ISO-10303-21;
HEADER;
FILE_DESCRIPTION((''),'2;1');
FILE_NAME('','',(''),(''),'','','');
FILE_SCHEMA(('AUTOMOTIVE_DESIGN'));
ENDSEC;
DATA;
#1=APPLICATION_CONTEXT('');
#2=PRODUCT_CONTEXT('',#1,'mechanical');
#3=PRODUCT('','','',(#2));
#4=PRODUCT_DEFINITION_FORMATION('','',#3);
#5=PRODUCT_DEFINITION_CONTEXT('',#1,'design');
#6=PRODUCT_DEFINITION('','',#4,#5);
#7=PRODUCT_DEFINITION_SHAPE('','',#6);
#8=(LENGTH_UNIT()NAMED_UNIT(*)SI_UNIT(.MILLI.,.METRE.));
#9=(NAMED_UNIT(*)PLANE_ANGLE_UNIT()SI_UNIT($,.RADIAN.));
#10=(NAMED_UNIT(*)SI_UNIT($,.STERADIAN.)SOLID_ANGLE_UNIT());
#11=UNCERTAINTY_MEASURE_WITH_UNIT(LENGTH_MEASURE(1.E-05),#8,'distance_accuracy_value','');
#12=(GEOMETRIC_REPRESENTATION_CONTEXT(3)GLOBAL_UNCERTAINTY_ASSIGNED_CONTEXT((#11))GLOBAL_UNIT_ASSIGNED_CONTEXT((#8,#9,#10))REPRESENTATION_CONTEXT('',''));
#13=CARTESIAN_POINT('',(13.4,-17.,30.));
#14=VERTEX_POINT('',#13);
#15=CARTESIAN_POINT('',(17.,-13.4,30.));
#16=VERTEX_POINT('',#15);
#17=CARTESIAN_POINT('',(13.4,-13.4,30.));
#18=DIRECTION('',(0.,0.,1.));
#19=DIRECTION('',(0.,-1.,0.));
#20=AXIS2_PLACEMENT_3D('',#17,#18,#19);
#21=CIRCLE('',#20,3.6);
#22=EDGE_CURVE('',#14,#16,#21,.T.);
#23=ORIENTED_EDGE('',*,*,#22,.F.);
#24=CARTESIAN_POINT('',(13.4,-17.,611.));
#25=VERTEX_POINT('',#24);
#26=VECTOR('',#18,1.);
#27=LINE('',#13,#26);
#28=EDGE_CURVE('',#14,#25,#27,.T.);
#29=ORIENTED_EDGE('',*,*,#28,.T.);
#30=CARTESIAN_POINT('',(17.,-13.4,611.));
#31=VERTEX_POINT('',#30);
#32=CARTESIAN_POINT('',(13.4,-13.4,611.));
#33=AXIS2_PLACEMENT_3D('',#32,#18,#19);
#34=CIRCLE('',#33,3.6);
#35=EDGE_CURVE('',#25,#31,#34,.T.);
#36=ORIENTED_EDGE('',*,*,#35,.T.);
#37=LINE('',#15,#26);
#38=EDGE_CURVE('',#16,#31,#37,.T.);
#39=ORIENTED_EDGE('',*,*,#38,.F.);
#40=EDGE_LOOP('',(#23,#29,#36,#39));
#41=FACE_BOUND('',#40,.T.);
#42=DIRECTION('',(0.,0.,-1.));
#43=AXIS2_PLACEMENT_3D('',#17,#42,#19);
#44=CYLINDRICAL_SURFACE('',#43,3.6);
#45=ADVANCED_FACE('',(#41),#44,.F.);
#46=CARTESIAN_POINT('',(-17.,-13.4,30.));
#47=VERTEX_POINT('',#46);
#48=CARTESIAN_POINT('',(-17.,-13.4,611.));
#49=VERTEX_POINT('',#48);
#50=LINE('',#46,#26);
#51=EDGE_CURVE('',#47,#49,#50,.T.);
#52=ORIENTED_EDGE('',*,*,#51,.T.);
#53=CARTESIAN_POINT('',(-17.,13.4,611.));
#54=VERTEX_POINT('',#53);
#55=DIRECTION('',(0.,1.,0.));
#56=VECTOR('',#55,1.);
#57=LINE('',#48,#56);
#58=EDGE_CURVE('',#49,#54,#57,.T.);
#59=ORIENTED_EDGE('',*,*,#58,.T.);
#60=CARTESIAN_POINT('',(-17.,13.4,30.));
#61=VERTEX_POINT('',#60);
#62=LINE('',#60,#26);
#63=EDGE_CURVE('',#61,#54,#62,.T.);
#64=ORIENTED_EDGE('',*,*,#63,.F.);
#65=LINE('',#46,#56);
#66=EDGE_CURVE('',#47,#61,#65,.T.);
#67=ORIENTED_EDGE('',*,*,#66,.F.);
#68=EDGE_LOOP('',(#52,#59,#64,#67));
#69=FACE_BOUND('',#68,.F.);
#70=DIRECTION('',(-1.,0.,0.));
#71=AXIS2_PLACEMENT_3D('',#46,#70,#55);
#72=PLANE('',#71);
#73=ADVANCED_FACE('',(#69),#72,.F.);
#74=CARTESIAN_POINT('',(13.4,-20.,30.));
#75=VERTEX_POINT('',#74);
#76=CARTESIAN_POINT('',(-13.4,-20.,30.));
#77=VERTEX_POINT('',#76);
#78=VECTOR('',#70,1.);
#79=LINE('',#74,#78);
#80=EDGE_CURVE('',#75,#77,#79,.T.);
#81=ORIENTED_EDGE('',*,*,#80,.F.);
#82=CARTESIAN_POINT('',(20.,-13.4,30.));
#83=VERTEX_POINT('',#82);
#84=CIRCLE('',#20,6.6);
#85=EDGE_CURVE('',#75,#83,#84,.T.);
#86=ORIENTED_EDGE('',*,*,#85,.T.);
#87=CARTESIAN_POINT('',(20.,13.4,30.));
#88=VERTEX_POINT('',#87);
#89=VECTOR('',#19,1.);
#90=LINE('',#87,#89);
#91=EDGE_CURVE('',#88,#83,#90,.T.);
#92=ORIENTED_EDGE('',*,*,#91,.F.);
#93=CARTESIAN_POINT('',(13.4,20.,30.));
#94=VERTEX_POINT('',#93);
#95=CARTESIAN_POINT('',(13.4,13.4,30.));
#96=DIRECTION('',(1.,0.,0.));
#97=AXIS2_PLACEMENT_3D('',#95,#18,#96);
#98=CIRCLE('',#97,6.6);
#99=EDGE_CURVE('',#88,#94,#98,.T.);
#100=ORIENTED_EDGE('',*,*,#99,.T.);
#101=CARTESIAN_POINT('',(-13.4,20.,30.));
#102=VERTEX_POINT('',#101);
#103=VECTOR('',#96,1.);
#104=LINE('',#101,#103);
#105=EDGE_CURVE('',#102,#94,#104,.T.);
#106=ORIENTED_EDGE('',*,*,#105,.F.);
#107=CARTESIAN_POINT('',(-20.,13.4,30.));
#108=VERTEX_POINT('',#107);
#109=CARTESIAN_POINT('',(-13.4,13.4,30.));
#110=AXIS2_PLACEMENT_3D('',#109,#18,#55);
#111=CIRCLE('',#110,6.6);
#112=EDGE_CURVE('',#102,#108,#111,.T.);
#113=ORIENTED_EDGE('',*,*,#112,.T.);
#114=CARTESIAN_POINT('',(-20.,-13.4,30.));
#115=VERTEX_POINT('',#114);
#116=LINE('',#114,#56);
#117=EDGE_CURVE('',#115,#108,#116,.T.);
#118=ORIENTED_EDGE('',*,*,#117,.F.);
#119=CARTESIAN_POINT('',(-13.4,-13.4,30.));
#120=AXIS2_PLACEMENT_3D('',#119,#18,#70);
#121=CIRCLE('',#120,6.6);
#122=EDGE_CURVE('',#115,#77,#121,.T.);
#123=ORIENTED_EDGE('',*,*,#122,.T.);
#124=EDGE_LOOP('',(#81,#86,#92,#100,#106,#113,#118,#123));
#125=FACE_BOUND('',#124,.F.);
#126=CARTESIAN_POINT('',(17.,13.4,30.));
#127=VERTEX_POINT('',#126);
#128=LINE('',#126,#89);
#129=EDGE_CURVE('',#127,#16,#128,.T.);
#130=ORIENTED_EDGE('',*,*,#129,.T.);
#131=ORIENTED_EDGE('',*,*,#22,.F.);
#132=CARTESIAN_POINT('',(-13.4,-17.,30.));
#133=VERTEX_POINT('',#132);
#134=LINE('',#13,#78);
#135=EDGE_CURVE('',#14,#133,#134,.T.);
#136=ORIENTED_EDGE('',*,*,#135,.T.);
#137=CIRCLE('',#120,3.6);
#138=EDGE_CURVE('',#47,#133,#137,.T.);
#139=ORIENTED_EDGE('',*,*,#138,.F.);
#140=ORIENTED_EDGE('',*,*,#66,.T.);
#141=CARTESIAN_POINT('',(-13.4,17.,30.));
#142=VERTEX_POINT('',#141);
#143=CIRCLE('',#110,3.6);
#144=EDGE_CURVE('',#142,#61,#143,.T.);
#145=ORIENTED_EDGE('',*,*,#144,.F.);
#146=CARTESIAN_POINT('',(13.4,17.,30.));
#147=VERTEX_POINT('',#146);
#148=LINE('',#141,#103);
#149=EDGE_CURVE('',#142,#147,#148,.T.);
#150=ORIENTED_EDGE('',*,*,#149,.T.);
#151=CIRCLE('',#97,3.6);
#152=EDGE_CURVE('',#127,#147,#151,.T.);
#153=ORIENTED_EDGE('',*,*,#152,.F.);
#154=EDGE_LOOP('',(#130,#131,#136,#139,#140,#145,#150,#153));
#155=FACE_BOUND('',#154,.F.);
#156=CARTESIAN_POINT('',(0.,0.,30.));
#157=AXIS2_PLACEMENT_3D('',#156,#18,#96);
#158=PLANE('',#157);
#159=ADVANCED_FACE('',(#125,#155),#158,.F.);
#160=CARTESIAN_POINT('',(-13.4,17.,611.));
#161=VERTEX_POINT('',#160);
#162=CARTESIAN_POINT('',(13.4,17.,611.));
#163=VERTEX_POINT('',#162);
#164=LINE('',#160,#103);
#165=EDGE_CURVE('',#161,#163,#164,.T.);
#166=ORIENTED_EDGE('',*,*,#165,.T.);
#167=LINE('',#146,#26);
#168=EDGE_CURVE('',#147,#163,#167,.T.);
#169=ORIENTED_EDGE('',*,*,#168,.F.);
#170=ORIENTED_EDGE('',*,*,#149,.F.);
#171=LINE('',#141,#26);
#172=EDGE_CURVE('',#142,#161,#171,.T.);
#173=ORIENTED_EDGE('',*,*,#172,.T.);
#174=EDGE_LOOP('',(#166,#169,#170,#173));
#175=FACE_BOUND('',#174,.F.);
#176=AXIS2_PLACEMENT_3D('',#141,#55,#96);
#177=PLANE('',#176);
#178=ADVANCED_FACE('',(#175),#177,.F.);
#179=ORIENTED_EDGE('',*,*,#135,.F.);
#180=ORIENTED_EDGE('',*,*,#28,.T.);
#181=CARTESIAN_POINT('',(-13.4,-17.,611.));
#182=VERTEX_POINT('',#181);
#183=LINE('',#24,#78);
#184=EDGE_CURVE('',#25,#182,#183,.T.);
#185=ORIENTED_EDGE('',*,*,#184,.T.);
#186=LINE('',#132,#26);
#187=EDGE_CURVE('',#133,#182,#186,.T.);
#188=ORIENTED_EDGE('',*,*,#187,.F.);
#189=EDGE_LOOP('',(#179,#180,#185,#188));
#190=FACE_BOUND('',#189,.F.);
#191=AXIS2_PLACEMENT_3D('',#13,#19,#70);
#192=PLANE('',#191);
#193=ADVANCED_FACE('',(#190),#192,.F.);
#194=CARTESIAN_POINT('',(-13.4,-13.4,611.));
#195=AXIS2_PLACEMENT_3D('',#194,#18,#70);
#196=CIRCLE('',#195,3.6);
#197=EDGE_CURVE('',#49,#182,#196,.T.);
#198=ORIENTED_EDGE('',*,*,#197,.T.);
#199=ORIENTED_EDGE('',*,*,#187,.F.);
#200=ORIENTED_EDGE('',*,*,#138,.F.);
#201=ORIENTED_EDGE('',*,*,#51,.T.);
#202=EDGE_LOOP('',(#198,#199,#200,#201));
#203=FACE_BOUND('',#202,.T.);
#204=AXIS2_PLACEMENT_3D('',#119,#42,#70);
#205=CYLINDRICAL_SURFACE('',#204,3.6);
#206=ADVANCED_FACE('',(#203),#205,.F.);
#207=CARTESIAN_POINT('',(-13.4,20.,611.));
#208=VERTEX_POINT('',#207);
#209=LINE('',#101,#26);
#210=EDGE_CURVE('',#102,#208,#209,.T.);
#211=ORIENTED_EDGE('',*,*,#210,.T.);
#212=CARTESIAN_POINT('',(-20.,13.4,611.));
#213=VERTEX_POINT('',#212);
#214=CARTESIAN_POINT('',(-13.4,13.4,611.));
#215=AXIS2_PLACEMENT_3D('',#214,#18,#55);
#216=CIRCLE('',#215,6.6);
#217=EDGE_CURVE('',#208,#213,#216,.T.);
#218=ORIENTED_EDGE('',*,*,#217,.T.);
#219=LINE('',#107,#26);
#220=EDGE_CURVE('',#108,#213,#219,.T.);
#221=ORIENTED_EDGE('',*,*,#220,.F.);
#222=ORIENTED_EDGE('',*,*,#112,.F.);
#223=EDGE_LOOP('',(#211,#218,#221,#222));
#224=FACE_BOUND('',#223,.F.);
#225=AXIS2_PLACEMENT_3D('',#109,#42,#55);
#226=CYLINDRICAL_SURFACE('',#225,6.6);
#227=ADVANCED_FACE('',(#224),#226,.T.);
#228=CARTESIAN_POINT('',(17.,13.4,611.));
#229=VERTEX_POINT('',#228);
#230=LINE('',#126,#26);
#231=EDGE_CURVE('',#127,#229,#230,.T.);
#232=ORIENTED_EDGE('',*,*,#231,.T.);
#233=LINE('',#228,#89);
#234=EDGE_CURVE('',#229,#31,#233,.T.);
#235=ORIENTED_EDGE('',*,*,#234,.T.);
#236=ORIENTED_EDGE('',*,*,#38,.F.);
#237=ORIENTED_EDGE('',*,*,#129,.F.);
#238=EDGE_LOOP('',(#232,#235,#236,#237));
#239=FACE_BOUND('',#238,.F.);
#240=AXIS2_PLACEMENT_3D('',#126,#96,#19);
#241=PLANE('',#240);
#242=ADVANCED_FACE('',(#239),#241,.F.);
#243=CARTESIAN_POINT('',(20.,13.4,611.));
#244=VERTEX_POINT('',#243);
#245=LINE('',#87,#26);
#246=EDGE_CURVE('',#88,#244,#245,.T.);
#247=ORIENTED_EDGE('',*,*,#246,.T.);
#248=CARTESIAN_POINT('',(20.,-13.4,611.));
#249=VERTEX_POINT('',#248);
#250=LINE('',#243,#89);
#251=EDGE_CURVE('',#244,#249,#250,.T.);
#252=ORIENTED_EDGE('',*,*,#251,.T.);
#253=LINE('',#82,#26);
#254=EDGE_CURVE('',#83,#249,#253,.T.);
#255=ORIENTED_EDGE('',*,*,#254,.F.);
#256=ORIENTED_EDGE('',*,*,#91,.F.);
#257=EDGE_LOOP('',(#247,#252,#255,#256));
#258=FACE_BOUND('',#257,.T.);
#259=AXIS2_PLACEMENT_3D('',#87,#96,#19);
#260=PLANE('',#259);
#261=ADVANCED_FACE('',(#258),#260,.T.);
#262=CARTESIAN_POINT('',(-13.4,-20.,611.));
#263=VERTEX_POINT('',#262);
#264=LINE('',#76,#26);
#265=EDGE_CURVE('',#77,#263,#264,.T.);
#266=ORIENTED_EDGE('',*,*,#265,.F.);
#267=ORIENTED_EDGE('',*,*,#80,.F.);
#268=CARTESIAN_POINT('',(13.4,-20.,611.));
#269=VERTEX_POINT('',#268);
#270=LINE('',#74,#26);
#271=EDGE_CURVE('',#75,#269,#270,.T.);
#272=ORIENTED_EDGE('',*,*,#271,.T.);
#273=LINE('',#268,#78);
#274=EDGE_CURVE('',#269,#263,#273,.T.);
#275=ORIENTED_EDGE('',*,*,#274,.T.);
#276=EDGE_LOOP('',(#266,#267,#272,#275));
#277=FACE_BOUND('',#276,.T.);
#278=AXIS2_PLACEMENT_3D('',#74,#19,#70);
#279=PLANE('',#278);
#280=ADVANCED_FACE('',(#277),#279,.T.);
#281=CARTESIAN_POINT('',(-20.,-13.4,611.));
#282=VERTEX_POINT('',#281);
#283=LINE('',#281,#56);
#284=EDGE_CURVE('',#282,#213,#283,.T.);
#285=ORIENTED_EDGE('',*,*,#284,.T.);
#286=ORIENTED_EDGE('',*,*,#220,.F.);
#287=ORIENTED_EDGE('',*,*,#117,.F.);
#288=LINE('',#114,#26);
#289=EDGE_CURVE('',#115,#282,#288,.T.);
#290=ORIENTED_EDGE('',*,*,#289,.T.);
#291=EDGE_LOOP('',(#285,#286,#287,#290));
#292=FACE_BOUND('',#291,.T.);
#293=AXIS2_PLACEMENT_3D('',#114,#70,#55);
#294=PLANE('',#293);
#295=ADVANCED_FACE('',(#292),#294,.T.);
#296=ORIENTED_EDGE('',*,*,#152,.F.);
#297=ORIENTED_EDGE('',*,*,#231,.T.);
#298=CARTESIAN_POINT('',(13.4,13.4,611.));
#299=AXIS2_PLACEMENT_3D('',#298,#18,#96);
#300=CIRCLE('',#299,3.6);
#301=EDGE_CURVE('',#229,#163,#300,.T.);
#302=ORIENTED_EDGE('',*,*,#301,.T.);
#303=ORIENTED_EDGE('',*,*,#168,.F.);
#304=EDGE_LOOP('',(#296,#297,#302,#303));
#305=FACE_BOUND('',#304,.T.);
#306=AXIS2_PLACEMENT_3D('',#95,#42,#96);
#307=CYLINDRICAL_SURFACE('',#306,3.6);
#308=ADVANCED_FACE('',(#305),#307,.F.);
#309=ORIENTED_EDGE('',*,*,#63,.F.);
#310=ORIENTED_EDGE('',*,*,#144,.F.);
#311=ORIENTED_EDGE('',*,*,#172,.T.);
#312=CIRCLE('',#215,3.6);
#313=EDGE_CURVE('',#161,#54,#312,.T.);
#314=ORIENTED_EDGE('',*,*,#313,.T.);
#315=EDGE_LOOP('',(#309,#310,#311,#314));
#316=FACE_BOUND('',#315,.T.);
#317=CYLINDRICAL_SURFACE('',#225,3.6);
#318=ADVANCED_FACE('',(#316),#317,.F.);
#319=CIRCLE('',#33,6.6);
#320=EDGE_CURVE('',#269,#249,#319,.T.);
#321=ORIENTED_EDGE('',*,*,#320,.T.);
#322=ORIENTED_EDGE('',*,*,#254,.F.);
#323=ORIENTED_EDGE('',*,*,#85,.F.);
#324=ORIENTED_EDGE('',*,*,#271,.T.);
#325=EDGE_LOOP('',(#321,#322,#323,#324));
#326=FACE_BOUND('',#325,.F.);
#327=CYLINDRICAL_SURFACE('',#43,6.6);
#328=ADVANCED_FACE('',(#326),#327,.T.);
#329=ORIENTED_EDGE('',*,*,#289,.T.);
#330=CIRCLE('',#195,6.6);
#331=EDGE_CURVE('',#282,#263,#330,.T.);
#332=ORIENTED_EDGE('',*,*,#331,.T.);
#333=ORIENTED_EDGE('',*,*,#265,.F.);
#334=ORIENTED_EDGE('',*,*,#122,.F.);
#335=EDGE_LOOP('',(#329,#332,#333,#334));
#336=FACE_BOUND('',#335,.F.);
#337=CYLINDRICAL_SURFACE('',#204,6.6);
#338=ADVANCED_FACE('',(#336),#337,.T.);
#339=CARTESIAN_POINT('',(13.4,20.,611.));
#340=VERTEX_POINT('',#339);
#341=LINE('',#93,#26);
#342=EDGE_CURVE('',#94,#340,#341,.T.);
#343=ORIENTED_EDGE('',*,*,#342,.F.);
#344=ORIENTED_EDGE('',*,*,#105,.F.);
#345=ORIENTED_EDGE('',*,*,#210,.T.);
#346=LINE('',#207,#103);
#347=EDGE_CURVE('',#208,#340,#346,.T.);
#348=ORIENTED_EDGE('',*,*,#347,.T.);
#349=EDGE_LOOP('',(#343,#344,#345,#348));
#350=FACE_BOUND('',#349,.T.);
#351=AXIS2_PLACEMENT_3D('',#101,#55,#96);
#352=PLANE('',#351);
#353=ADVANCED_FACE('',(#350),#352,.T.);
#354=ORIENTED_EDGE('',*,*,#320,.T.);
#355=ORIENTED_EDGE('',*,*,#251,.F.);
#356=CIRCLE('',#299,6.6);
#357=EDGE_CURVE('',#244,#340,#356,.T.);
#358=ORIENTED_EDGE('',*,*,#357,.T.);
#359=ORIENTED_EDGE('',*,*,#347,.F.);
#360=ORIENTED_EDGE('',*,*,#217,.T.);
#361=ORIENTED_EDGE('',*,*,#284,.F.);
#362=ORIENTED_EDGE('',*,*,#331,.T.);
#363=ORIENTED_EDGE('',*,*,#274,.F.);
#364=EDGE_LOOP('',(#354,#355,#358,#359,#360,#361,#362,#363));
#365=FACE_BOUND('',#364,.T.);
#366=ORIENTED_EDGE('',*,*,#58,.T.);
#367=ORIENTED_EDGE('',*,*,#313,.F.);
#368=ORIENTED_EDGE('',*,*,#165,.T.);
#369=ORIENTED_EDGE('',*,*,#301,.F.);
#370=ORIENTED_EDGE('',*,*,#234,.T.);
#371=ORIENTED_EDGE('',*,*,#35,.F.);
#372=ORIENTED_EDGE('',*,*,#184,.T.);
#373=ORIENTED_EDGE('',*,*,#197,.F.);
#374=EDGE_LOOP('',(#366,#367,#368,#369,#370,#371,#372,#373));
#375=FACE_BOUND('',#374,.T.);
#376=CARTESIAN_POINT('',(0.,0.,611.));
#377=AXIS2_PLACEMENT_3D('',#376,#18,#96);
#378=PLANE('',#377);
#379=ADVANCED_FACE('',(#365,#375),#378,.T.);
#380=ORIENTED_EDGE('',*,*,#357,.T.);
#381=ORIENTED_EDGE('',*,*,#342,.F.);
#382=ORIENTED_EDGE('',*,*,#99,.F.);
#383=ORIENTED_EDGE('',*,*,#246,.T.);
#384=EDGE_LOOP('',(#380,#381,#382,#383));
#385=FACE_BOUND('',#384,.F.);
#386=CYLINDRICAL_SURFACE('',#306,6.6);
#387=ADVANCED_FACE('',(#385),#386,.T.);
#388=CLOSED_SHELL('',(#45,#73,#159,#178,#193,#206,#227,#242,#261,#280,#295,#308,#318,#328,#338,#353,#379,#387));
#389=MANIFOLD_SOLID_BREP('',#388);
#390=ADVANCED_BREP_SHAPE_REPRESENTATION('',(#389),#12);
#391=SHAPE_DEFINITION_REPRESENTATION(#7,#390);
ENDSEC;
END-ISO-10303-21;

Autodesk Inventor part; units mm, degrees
ref_plane "Start plane" through (0, 0, 30) normal (0, 0, 1) x (1, 0, 0)
ref_plane "End plane" through (0, 0, 611) normal (0, 0, 1) x (1, 0, 0)
sketch "Sketch" plane through (0, 0, 0) normal (0, 0, 1) x (1, 0, 0)
  line L0 (-20, -13.4) -> (-20, 13.4)
  line L1 (-13.4, 20) -> (13.4, 20)
  line L2 (20, 13.4) -> (20, -13.4)
  line L3 (13.4, -20) -> (-13.4, -20)
  arc A0 (-20, -13.4) -> (-13.4, -20) centre (-13.4, -13.4) ccw
  arc A1 (-13.4, 20) -> (-20, 13.4) centre (-13.4, 13.4) ccw
  arc A2 (20, 13.4) -> (13.4, 20) centre (13.4, 13.4) ccw
  arc A3 (13.4, -20) -> (20, -13.4) centre (13.4, -13.4) ccw
  arc A4 (-13.4, 17) -> (-17, 13.4) centre (-13.4, 13.4) ccw
  line L4 (-13.4, 17) -> (13.4, 17)
  arc A5 (17, 13.4) -> (13.4, 17) centre (13.4, 13.4) ccw
  line L5 (17, 13.4) -> (17, -13.4)
  arc A6 (13.4, -17) -> (17, -13.4) centre (13.4, -13.4) ccw
  line L6 (13.4, -17) -> (-13.4, -17)
  arc A7 (-17, -13.4) -> (-13.4, -17) centre (-13.4, -13.4) ccw
  line L7 (-17, -13.4) -> (-17, 13.4)
  line L8 (0, 22.0873) -> (0, -22.0873) construction
  line L9 (-22.0873, 0) -> (22.0873, 0) construction
  dimension "d7" = 6.6
  dimension "d10" = 40
  dimension "d11" = 40
  dimension "d12" = 3
  dimension "d15" = 20
  dimension "d16" = 20
extrude "Body" add sketch "Sketch" along normal up to surface (581 mm away) from surface at 30
sketch "Sketch3" plane through (0, 0, 0) normal (0, 0, 1) x (1, 0, 0)
  line L0 (0, 0) -> (10, 0)
ref_plane "Work Plane3" through (0, 0, 0) normal (0, -1, 0) x (1, 0, 0)
sketch "Sketch4" plane through (0, 0, 0) normal (0, -1, 0) x (1, 0, 0)
  line L0 (-2, 30) -> (12, 30)
  line L1 (-2, 611) -> (12, 611)
  dimension "d18" = 581
ref_plane "Work Plane5" through (340.8, 45, 30) normal (0, 0, -1) x (-1, 0, 0)
split "Split2" plane through (340.8, 45, 30) removes the side toward (0, 0, -1)
ref_plane "Work Plane6" through (385, -18.4, 611) normal (0, 0, 1) x (1, 0, 0)
split "Split3" plane through (385, -18.4, 611) removes the side toward (0, 0, 1)
equation "\"d7\" = G_IR"
equation "\"d10\" = G_H"
equation "\"d11\" = G_W"
equation "\"d12\" = G_T"
equation "\"d15\" = 0.5 * d10"
equation "\"d16\" = 0.5 * d11"
equation "\"d3\" = G_L"
equation "\"G_W\" = 40"
equation "\"G_H\" = 40"
equation "\"G_T\" = 3"
equation "\"G_IR\" = 6.6"
equation "\"G_L\" = d18"
equation "\"d14\" = G_OFFSET_END + B_L"
equation "\"B_L\" = 651"
equation "\"G_OFFSET_END\" = -40"
properties part number "DIN EN 10305-5 - 40 x 40 x 3  - 581" material "Steel, Mild"
